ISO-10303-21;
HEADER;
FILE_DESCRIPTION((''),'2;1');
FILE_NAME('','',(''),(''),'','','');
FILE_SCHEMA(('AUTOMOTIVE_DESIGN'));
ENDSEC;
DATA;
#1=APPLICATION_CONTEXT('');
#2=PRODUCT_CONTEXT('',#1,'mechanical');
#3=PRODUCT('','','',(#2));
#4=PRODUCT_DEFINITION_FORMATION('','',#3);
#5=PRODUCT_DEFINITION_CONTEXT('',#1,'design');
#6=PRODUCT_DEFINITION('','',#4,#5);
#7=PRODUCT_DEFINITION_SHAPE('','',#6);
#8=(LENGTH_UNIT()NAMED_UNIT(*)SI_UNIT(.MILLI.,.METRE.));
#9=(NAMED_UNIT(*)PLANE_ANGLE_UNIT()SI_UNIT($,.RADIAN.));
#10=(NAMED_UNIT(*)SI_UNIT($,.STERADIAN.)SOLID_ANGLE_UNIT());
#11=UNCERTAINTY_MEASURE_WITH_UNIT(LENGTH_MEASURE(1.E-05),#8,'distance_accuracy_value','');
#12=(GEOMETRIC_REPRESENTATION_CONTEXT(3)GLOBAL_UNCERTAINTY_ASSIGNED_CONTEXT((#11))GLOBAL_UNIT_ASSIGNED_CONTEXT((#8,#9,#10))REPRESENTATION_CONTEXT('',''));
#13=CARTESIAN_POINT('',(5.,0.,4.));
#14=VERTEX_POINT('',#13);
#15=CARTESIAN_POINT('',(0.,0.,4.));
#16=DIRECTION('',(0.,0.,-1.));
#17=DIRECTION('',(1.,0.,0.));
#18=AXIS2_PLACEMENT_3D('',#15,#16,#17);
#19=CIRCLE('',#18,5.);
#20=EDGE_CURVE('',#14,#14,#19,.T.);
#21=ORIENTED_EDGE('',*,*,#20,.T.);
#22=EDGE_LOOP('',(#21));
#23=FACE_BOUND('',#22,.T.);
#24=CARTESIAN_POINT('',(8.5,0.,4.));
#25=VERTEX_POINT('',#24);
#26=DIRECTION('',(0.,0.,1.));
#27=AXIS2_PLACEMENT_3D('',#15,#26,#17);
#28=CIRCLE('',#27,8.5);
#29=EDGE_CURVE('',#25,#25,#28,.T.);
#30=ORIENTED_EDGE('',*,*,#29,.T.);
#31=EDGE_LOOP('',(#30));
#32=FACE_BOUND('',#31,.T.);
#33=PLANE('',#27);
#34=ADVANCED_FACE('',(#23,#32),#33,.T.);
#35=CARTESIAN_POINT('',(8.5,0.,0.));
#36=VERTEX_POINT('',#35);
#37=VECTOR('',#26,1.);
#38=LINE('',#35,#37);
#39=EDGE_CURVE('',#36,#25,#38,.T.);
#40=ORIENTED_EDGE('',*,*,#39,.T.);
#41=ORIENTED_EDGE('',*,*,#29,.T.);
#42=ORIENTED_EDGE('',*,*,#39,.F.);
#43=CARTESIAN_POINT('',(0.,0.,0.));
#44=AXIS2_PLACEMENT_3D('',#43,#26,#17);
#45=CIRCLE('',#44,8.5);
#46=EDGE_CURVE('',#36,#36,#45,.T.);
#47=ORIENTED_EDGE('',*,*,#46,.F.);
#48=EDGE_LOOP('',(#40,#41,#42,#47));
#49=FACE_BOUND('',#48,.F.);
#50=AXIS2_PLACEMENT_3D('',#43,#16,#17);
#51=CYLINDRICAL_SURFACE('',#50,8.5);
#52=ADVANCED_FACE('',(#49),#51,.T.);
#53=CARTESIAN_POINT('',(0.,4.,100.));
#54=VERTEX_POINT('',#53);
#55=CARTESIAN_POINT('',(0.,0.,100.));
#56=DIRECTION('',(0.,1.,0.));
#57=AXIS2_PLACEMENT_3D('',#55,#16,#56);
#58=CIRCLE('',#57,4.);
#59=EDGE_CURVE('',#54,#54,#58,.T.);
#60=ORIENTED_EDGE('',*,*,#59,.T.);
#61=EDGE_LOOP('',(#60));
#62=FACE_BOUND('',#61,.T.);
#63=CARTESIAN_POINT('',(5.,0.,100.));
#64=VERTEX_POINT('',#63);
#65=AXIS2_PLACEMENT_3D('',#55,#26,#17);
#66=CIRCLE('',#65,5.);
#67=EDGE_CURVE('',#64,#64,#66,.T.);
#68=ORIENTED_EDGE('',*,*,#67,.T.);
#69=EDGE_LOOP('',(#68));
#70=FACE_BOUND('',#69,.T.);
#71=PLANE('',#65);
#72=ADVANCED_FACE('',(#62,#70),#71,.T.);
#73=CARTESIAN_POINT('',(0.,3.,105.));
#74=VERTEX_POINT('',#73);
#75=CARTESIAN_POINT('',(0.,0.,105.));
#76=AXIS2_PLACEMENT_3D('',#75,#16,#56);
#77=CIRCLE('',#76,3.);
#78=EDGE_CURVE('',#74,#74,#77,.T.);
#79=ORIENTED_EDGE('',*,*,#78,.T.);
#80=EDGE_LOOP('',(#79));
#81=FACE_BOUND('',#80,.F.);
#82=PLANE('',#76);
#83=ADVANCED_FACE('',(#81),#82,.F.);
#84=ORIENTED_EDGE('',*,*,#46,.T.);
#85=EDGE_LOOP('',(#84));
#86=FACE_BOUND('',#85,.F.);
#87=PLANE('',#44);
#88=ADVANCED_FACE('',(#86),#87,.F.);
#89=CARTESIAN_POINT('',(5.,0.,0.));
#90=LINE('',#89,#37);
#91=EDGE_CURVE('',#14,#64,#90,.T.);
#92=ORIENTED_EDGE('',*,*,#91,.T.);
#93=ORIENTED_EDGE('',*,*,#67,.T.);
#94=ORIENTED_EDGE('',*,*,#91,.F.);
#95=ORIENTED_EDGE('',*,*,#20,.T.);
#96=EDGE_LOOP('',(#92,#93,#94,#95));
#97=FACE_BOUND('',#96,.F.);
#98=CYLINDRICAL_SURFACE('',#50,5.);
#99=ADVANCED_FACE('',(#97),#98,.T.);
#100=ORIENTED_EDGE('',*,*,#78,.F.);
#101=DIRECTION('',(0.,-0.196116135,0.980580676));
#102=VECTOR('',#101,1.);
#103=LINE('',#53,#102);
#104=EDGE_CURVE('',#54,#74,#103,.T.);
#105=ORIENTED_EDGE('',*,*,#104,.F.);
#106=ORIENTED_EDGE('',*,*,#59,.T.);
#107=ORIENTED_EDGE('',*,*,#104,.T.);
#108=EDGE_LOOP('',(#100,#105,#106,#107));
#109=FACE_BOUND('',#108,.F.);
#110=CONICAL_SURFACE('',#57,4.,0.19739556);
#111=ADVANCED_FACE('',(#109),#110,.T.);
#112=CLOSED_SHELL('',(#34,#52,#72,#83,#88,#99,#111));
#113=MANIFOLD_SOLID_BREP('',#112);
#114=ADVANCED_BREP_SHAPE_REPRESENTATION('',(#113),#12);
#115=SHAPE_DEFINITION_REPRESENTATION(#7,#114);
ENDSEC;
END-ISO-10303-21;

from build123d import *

# Parameters (mm, degrees)
F0_R     = 8.5
F1_DEPTH = 4
F2_R     = 5
F3_DEPTH = 100


with BuildPart() as f1:
    # F0 (on Top) → F1 (new body)
    with BuildSketch(Plane.XY):
        Circle(F0_R)
    extrude(amount=F1_DEPTH)

    # F2 (on Top) → F3 (join)
    with BuildSketch(Plane.XY):
        Circle(F2_R)
    extrude(amount=F3_DEPTH)

    # F4 (on Right) → F5 (revolve)
    with BuildSketch(Plane.YZ):
        Polygon((3, 105), (0, 105), (0, 100), (4, 100), align=None)
    revolve(axis=Axis((0, 0, 102.5), (0, 0, -1)))


solid = f1.part
